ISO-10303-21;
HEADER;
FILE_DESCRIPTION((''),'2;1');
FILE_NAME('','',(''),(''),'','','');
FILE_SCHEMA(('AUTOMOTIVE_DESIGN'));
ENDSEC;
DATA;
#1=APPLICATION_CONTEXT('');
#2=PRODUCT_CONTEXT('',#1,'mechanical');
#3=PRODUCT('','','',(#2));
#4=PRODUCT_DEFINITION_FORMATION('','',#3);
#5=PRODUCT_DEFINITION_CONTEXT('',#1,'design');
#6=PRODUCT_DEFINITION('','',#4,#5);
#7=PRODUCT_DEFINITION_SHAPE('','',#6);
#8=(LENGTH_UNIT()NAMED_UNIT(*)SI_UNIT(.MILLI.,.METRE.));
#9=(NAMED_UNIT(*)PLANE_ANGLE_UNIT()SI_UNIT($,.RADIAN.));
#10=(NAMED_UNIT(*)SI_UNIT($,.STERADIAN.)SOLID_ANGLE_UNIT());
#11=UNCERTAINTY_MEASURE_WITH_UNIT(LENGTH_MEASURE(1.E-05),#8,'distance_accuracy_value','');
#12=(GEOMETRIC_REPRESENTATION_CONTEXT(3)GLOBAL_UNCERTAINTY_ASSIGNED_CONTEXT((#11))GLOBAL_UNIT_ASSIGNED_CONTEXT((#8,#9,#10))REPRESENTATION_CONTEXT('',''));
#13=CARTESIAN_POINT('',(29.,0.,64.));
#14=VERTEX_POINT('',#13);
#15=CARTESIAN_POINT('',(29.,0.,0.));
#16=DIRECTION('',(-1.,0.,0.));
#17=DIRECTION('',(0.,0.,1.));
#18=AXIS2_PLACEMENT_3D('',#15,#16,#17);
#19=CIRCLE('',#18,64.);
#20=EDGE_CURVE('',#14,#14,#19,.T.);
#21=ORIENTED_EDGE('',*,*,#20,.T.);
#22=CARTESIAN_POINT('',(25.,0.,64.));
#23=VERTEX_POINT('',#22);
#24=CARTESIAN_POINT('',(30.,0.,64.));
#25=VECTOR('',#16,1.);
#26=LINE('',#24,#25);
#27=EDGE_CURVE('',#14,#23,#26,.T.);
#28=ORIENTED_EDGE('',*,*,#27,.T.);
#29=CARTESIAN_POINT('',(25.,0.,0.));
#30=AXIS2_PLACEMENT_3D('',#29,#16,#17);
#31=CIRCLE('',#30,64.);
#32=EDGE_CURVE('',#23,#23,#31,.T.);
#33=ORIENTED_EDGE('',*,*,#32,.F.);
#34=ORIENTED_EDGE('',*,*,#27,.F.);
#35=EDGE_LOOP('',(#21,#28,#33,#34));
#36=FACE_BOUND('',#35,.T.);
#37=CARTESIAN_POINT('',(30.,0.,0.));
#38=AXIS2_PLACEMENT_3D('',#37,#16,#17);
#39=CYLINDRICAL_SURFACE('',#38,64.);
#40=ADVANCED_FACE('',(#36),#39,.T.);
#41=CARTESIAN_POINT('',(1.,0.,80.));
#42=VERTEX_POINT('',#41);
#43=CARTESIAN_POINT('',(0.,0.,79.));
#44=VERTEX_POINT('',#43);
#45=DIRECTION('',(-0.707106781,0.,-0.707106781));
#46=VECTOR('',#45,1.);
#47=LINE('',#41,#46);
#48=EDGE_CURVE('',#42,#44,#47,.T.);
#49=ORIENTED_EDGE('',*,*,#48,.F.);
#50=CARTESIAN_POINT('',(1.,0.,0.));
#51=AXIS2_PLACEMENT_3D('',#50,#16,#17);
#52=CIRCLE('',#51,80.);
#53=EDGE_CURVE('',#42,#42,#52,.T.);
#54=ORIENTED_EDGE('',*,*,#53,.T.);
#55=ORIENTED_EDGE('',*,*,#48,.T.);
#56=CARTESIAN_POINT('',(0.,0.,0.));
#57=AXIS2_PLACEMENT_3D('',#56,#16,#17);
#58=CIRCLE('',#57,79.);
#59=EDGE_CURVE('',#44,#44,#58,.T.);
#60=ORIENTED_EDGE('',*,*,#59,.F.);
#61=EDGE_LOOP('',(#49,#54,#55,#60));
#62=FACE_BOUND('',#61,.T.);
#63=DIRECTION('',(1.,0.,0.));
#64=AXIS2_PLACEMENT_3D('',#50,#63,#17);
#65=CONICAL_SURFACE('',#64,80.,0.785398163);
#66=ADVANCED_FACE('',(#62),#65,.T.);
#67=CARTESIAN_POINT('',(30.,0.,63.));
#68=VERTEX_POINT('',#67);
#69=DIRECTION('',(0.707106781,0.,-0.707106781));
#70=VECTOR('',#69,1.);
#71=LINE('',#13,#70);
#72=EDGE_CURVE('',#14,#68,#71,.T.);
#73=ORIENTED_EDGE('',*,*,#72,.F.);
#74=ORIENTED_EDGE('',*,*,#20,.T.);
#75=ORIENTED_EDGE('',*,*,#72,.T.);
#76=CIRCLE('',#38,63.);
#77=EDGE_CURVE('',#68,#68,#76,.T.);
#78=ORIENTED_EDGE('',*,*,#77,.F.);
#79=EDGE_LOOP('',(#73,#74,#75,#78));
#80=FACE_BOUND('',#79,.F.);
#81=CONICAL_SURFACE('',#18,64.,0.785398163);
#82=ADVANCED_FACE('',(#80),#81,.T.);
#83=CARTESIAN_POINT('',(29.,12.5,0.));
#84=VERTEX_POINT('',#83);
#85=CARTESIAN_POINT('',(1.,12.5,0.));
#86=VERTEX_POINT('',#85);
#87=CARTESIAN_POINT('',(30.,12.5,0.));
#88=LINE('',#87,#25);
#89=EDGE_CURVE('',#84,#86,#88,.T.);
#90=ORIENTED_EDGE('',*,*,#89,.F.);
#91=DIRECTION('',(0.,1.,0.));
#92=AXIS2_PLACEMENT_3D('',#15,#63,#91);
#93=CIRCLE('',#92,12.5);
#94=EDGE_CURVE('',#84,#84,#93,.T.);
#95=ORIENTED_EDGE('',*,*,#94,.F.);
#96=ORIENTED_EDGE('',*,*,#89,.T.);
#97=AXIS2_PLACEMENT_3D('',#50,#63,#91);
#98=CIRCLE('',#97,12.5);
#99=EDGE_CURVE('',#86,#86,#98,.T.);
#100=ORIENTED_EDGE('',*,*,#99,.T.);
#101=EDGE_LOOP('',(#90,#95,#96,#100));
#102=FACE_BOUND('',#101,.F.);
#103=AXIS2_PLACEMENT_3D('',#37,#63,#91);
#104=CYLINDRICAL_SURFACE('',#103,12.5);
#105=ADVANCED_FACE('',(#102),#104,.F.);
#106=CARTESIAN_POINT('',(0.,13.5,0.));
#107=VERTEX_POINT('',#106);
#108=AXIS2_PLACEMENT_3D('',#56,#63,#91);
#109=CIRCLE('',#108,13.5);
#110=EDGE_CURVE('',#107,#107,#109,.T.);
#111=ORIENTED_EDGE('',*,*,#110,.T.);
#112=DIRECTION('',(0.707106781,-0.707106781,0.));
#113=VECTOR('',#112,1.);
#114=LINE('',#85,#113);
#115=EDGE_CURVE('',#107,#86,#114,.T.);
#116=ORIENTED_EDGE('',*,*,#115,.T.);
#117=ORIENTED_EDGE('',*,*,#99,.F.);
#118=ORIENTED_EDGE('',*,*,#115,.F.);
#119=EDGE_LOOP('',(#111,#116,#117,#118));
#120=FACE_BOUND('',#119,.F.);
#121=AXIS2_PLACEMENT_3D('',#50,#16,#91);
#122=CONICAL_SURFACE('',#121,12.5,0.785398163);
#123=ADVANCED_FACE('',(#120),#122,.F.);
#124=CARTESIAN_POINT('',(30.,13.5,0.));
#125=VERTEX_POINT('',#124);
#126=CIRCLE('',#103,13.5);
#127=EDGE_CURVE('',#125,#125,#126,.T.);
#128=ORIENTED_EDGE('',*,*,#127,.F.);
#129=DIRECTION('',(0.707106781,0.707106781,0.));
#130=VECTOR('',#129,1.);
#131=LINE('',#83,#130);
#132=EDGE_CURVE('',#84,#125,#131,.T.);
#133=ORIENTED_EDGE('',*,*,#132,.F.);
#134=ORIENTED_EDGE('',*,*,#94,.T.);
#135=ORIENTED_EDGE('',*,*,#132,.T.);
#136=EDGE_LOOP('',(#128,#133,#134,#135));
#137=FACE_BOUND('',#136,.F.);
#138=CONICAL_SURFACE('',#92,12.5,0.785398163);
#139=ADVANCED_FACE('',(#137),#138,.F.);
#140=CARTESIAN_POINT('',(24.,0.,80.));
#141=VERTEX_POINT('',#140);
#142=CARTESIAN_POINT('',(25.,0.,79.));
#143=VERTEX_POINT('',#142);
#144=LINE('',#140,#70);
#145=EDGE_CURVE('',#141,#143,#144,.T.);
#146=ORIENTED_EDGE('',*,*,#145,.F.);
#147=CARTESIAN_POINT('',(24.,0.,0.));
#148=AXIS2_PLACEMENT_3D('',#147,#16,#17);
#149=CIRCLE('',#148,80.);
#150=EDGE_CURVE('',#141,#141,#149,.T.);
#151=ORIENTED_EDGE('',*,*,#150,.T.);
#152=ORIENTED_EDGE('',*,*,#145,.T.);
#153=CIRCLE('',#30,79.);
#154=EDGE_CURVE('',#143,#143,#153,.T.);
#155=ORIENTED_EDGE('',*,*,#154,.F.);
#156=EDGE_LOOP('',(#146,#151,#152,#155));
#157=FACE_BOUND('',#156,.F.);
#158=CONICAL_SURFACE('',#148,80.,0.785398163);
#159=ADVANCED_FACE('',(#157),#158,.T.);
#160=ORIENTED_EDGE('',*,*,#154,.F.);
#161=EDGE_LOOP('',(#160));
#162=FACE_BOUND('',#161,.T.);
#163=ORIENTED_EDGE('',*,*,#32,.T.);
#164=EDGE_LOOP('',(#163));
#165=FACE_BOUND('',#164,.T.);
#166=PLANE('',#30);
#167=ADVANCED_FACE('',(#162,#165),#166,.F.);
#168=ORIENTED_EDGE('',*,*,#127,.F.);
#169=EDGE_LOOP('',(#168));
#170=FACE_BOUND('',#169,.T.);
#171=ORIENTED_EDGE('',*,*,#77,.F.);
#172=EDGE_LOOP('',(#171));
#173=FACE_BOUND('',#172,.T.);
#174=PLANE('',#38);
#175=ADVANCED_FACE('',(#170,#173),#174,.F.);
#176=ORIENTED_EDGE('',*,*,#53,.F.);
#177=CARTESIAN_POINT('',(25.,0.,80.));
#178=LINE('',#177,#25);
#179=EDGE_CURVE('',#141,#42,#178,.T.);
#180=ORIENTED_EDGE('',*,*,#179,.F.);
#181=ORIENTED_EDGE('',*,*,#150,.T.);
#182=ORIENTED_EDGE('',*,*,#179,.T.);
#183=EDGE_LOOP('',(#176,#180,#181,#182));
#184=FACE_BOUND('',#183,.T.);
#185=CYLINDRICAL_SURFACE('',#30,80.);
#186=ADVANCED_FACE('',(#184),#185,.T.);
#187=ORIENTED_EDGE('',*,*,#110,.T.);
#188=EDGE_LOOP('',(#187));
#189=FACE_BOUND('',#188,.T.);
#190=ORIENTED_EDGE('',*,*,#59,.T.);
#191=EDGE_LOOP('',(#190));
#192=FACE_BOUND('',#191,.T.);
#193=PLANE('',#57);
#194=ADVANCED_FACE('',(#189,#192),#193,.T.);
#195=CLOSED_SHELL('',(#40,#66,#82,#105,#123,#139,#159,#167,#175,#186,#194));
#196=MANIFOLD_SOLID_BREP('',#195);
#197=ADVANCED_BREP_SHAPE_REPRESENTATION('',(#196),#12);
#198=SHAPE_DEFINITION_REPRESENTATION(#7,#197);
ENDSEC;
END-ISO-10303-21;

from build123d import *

# Parameters (mm, degrees)
F2_R     = 12.5
F3_DEPTH = 40
F4_SIZE  = 1


with BuildPart() as f1:
    # F0 (on Front) → F1 (revolve)
    with BuildSketch(Plane.XZ):
        Polygon((25, 80), (0, 80), (0, 0), (30, 0), (30, 64), (25, 64), align=None)
    revolve(axis=Axis((15, 0, 0), (-1, 0, 0)))

    # F2 (on face) → F3 (cut)
    with BuildSketch(Plane.YZ.offset(30)):
        Circle(F2_R)
    extrude(amount=-F3_DEPTH, mode=Mode.SUBTRACT)

    # F4
    f4_edges = [f1.edges().sort_by_distance(p)[0] for p in [
        (30, 0, -64),
        (30, -12.5, 0),
        (25, 0, -80),
        (0, 0, -80),
        (0, -12.5, 0),
    ]]
    chamfer(f4_edges, length=F4_SIZE)


solid = f1.part
